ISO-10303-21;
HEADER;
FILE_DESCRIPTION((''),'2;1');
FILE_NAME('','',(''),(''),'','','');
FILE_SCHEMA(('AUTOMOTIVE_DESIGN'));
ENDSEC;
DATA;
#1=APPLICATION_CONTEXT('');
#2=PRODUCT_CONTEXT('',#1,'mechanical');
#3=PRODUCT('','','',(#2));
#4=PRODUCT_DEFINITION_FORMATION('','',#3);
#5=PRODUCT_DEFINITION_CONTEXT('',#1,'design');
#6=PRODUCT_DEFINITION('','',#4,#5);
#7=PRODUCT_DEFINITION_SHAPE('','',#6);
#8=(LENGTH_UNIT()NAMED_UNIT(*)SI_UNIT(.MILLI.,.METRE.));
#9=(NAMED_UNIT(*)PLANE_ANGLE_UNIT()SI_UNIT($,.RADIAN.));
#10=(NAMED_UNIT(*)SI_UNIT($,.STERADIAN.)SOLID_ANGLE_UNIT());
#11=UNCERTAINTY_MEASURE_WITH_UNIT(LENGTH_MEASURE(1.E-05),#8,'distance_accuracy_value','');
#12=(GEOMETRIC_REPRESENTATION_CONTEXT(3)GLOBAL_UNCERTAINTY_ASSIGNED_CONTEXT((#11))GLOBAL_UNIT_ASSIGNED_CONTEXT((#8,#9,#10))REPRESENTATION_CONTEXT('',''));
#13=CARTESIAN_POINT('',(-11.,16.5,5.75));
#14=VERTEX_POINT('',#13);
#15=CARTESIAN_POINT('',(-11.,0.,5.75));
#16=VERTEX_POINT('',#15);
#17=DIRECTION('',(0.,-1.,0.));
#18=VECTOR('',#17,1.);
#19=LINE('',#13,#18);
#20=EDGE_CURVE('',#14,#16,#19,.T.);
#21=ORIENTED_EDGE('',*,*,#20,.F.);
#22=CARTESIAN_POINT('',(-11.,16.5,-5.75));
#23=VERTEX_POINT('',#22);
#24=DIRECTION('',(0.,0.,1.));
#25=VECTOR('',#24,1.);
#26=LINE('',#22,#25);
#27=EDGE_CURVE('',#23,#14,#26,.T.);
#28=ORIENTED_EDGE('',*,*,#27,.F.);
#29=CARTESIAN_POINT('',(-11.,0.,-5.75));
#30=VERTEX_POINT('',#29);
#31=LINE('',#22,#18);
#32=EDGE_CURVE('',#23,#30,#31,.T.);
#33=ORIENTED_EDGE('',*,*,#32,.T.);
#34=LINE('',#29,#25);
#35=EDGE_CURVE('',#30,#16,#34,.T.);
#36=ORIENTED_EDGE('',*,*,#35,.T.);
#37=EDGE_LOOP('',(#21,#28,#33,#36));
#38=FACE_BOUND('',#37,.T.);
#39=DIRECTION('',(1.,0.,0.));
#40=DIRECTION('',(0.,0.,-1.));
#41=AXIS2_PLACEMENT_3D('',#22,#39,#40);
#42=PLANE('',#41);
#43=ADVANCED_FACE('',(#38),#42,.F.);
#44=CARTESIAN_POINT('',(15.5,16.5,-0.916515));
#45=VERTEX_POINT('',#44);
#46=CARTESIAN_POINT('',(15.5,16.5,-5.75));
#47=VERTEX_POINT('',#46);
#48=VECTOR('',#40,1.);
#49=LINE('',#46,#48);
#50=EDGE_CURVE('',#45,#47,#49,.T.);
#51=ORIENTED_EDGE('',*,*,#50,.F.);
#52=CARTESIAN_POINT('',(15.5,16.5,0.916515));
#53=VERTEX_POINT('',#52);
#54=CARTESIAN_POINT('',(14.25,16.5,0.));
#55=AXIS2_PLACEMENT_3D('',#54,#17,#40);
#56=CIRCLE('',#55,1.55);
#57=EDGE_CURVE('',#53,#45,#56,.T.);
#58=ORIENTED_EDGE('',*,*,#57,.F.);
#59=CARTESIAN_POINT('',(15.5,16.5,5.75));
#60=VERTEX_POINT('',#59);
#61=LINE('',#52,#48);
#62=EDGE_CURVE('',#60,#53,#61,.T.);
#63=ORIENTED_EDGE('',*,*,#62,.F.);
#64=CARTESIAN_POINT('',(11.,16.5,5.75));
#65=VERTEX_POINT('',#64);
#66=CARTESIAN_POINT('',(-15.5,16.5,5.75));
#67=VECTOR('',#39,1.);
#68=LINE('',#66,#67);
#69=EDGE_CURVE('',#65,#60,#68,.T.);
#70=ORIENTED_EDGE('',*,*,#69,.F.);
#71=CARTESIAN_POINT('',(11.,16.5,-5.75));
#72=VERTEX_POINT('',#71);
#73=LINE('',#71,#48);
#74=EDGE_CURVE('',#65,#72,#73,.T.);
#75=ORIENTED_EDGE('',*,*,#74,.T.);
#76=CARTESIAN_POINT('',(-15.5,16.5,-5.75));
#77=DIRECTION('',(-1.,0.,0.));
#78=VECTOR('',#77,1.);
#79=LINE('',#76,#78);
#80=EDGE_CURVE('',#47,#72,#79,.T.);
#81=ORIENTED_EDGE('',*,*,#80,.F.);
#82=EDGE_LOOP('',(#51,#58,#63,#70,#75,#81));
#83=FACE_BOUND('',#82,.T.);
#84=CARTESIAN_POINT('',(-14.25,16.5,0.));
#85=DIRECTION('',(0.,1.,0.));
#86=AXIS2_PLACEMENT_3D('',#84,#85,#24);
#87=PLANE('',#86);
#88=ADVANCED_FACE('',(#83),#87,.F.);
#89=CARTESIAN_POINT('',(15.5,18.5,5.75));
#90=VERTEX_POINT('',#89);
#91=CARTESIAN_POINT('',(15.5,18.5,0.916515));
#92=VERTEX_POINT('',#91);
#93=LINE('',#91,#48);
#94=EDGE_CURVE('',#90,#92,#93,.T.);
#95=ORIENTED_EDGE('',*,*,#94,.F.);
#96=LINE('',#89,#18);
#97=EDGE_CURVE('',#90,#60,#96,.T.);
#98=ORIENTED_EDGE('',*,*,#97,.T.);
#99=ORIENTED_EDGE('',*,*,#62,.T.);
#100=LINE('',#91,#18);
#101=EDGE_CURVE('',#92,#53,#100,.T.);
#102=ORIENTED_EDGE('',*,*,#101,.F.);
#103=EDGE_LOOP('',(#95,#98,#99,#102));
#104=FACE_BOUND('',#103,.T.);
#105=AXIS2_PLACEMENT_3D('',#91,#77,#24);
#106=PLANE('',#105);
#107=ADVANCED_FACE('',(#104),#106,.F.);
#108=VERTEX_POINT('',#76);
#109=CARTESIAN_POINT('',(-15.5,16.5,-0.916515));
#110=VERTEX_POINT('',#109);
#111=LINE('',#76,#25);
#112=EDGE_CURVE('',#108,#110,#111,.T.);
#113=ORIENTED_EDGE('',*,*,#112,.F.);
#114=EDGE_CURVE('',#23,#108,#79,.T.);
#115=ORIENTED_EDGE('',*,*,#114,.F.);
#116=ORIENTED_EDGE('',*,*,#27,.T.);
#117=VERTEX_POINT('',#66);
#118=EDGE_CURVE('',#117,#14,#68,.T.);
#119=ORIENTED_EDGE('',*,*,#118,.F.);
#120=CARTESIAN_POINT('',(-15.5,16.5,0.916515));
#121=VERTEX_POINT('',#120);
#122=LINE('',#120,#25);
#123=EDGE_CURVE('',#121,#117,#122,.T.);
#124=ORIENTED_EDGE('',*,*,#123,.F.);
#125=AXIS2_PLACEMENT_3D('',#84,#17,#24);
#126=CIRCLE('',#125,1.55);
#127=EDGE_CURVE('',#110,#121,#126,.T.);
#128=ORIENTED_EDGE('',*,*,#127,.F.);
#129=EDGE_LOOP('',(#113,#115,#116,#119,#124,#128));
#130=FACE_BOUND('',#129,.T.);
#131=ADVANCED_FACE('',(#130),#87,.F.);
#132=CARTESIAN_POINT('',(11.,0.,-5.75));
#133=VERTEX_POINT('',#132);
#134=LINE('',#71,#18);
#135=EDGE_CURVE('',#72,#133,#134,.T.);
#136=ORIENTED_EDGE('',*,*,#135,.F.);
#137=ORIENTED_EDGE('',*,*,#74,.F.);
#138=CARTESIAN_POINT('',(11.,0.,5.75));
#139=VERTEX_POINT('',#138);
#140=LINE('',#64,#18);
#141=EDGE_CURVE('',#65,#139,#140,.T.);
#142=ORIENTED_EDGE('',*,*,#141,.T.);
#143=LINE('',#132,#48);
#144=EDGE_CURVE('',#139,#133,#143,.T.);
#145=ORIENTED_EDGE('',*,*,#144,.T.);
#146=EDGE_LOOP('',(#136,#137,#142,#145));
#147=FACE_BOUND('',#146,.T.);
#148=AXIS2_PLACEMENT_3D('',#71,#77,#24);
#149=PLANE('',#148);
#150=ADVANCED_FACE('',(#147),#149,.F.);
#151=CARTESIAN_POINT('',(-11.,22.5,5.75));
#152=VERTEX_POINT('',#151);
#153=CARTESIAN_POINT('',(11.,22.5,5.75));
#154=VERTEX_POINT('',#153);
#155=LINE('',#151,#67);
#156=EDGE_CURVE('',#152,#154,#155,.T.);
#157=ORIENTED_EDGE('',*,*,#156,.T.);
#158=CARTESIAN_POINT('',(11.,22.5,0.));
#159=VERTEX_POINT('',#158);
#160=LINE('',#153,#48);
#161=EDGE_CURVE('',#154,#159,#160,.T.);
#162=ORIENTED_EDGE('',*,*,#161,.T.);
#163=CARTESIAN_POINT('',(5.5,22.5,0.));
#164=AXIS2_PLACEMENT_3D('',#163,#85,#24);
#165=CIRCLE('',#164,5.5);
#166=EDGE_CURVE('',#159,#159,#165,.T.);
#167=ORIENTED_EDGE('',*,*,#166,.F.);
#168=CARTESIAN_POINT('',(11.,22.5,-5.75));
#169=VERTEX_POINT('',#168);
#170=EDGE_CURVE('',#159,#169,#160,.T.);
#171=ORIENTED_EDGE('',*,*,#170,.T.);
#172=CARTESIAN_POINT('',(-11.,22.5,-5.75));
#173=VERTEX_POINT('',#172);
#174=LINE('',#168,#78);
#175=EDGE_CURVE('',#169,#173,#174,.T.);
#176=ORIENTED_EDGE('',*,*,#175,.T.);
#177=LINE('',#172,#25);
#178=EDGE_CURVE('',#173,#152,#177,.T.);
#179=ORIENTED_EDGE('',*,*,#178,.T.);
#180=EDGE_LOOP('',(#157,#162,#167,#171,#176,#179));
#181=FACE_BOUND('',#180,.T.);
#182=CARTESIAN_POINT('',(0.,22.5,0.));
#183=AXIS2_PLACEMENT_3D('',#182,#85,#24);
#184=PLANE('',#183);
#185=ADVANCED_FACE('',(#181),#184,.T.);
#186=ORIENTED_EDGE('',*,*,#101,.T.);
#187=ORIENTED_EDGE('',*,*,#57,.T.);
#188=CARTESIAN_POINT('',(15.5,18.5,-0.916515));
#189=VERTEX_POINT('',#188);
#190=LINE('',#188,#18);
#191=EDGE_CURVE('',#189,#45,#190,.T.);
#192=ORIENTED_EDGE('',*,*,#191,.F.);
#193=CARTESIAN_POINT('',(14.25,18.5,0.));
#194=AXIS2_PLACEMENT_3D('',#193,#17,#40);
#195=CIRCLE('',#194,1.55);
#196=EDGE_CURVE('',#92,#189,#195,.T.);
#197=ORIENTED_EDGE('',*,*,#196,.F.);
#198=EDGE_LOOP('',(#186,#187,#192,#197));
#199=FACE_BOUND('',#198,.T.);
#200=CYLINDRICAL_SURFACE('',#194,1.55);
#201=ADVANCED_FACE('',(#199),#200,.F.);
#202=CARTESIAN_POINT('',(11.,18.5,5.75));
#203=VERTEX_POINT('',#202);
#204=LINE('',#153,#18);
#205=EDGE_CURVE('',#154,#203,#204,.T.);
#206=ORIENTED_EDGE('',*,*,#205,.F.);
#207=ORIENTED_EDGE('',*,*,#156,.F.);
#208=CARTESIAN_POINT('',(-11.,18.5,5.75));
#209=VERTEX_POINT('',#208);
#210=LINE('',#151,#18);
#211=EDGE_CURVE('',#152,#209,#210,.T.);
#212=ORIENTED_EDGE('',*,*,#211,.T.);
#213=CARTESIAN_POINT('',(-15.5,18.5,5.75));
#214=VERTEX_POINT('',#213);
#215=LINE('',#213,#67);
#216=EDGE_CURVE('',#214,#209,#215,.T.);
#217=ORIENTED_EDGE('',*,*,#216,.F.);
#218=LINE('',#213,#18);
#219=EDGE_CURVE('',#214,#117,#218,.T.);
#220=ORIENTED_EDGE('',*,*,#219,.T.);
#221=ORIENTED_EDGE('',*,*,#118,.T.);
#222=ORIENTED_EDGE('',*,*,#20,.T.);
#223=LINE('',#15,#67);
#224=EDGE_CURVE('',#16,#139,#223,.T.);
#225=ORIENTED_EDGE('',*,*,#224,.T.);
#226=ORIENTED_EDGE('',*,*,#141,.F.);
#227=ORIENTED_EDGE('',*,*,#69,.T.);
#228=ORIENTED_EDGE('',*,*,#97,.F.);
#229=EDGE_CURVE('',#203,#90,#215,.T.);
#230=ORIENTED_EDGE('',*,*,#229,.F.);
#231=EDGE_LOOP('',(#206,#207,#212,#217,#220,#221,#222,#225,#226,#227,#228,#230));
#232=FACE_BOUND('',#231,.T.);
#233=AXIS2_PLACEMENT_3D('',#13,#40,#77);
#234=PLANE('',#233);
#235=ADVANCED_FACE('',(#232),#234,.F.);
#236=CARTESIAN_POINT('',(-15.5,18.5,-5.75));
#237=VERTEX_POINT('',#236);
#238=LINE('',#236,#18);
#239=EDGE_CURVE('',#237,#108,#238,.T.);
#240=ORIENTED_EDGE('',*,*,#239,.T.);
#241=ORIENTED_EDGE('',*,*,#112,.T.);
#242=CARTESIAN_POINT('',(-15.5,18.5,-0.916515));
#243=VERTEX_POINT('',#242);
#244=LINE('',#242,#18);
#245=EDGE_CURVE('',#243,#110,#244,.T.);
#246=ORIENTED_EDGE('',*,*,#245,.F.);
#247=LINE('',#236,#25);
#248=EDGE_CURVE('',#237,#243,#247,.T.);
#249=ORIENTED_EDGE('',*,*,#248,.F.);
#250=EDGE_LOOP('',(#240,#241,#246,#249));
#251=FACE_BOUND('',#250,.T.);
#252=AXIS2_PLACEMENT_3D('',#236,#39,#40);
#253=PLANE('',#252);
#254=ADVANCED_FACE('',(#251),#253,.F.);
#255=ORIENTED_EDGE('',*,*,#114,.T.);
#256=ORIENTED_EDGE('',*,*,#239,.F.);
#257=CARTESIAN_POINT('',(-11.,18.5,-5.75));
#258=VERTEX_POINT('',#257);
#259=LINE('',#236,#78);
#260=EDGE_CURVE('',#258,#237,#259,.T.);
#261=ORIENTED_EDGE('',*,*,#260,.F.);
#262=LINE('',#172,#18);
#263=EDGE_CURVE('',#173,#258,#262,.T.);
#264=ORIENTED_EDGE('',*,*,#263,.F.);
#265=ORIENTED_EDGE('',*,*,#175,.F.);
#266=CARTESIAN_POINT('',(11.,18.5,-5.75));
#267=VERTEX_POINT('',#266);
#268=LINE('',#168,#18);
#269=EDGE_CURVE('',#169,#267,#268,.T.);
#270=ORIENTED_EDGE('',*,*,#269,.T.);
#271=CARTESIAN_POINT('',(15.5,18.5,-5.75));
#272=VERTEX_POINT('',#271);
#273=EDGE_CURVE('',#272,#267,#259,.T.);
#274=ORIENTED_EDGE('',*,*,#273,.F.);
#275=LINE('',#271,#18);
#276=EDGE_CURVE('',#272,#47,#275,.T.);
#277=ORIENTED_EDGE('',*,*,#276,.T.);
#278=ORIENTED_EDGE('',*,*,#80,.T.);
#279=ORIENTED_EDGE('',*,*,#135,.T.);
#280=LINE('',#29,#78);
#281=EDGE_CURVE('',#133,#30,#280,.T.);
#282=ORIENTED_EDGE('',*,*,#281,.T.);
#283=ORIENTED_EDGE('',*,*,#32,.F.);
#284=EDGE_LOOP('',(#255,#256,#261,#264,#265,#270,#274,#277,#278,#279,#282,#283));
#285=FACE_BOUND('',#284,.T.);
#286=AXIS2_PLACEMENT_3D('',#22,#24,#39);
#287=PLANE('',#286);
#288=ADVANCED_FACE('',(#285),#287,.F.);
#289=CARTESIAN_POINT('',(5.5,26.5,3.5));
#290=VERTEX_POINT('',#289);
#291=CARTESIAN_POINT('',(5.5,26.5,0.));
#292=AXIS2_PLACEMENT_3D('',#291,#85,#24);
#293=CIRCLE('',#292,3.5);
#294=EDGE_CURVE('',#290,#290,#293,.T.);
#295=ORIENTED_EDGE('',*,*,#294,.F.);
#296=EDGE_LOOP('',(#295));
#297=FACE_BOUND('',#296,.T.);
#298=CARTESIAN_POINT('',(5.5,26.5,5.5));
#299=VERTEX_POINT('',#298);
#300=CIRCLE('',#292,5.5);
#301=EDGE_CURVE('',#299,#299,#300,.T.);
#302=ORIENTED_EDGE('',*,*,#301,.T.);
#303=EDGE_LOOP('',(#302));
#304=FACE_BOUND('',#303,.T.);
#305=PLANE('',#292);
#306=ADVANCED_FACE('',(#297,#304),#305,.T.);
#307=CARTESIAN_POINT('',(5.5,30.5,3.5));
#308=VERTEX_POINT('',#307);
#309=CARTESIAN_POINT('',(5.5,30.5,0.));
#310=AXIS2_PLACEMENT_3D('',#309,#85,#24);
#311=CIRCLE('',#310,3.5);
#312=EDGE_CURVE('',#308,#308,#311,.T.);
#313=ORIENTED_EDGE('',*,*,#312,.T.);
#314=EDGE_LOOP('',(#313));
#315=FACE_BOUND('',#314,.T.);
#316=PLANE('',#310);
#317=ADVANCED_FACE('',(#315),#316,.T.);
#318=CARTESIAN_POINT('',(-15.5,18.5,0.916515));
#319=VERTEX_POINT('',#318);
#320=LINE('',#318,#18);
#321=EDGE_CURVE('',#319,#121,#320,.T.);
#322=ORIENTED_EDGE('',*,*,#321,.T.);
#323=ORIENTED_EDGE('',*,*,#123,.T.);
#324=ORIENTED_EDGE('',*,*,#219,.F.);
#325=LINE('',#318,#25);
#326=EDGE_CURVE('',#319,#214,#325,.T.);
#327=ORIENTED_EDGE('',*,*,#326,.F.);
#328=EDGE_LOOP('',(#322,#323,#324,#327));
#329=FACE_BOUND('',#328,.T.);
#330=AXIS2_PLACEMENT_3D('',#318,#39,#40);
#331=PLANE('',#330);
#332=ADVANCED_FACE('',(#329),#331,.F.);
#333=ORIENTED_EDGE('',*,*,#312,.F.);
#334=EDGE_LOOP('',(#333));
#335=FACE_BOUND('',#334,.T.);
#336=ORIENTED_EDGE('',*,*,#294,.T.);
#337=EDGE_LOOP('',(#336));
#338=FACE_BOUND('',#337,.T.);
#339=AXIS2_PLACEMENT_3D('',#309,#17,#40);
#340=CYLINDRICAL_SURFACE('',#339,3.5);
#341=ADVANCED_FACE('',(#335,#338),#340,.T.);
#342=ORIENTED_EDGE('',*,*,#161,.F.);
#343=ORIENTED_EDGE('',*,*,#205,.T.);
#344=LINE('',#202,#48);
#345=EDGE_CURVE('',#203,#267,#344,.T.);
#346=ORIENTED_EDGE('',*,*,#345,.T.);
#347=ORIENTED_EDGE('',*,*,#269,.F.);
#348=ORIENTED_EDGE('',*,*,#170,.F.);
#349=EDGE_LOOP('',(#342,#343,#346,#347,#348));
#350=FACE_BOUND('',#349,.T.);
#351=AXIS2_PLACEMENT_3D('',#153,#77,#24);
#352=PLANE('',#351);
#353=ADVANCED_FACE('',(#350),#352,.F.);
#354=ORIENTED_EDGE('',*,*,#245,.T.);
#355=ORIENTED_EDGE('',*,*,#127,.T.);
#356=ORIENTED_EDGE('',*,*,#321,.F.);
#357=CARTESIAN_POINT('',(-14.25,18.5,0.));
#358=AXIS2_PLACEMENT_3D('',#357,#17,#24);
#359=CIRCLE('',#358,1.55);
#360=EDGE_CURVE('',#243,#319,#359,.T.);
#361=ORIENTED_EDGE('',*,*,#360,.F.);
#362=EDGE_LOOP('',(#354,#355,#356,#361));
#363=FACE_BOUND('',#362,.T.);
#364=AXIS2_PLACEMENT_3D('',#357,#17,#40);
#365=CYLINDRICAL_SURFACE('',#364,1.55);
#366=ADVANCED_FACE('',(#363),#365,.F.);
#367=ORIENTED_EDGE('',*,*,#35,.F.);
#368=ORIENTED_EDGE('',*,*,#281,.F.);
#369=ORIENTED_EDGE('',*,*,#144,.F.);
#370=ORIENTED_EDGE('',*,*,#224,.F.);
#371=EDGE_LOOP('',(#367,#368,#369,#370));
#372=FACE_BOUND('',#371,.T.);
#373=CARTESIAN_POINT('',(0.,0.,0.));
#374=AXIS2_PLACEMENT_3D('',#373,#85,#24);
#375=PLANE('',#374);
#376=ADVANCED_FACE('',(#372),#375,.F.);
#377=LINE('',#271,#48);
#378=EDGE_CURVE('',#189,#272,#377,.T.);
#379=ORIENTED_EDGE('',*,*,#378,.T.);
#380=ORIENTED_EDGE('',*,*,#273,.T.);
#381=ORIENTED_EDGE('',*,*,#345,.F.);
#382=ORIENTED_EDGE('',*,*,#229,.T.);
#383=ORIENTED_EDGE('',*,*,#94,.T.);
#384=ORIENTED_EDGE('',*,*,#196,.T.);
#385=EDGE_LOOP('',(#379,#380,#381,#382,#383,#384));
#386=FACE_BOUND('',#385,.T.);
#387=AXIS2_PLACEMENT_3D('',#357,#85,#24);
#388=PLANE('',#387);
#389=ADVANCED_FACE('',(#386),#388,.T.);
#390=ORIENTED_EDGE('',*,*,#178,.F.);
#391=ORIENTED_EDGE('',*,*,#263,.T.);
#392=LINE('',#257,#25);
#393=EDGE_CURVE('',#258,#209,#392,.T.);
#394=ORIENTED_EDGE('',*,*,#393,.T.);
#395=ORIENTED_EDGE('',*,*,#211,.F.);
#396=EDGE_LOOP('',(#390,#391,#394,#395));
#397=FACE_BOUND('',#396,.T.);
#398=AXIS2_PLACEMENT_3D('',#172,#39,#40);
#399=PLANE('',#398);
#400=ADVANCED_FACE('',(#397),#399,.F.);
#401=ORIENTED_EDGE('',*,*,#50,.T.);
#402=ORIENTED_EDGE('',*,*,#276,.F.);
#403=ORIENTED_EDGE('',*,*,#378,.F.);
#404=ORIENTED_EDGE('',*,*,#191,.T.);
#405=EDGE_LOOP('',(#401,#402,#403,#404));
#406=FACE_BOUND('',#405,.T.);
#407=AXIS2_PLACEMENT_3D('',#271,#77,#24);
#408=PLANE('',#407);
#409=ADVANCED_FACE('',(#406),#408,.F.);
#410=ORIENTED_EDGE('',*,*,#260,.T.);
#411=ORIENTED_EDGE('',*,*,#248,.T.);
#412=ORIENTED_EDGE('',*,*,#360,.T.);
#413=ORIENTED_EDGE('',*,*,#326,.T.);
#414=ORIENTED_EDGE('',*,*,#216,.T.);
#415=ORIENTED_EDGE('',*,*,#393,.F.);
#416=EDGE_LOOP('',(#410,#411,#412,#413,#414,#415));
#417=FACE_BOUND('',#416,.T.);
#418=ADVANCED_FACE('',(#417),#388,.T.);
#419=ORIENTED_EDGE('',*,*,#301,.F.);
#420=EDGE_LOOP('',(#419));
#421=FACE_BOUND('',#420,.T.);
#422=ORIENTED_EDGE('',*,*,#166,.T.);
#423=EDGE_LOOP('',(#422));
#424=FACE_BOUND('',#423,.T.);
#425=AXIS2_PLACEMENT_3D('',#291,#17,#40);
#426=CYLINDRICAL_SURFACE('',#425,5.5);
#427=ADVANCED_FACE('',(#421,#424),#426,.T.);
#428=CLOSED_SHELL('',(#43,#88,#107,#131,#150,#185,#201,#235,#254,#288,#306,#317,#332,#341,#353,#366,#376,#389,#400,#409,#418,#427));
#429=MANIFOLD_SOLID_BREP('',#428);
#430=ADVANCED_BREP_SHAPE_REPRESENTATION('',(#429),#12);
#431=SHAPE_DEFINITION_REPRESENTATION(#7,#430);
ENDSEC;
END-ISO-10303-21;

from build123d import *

# Parameters (mm, degrees)
SKETCH1_W           = 22
SKETCH1_H           = 11.5
BOSS_EXTRUDE1_DEPTH = 16.5
BOSS_EXTRUDE2_DEPTH = 2
SKETCH4_W           = 22
SKETCH4_H           = 11.5
BOSS_EXTRUDE3_DEPTH = 4
SKETCH5_R           = 5.5
BOSS_EXTRUDE4_DEPTH = 4
SKETCH7_R           = 3.5
BOSS_EXTRUDE5_DEPTH = 4


with BuildPart() as part:
    # Sketch1 → Boss-Extrude1 (new body)
    with BuildSketch(Plane(origin=(0, 0, 0), x_dir=(1, 0, 0), z_dir=(0, 1, 0))):
        Rectangle(SKETCH1_W, SKETCH1_H)
    extrude(amount=BOSS_EXTRUDE1_DEPTH)

    # Sketch2 → Boss-Extrude2 (add)
    with BuildSketch(Plane(origin=(0, 16.5, 0), x_dir=(1, 0, 0), z_dir=(0, 1, 0))):
        with BuildLine():
            Line((-15.5, 5.75), (15.5, 5.75))
            Line((15.5, 5.75), (15.5, 0.916515139))
            ThreePointArc((15.5, 0.916515139), (12.7, 0), (15.5, -0.916515139))
            Line((15.5, -0.916515139), (15.5, -5.75))
            Line((15.5, -5.75), (-15.5, -5.75))
            Line((-15.5, -5.75), (-15.5, -0.916515139))
            ThreePointArc((-15.5, -0.916515139), (-12.7, 0), (-15.5, 0.916515139))
            Line((-15.5, 0.916515139), (-15.5, 5.75))
        make_face()
    extrude(amount=BOSS_EXTRUDE2_DEPTH)

    # Sketch4 → Boss-Extrude3 (add)
    with BuildSketch(Plane(origin=(0, 18.5, 0), x_dir=(1, 0, 0), z_dir=(0, 1, 0))):
        Rectangle(SKETCH4_W, SKETCH4_H)
    extrude(amount=BOSS_EXTRUDE3_DEPTH)

    # Sketch5 → Boss-Extrude4 (add)
    with BuildSketch(Plane(origin=(0, 22.5, 0), x_dir=(1, 0, 0), z_dir=(0, 1, 0))):
        with Locations((5.5, 0)):
            Circle(SKETCH5_R)
    extrude(amount=BOSS_EXTRUDE4_DEPTH)

    # Sketch7 → Boss-Extrude5 (add)
    with BuildSketch(Plane(origin=(0, 26.5, 0), x_dir=(1, 0, 0), z_dir=(0, 1, 0))):
        with Locations((5.5, 0)):
            Circle(SKETCH7_R)
    extrude(amount=BOSS_EXTRUDE5_DEPTH)


solid = part.part
